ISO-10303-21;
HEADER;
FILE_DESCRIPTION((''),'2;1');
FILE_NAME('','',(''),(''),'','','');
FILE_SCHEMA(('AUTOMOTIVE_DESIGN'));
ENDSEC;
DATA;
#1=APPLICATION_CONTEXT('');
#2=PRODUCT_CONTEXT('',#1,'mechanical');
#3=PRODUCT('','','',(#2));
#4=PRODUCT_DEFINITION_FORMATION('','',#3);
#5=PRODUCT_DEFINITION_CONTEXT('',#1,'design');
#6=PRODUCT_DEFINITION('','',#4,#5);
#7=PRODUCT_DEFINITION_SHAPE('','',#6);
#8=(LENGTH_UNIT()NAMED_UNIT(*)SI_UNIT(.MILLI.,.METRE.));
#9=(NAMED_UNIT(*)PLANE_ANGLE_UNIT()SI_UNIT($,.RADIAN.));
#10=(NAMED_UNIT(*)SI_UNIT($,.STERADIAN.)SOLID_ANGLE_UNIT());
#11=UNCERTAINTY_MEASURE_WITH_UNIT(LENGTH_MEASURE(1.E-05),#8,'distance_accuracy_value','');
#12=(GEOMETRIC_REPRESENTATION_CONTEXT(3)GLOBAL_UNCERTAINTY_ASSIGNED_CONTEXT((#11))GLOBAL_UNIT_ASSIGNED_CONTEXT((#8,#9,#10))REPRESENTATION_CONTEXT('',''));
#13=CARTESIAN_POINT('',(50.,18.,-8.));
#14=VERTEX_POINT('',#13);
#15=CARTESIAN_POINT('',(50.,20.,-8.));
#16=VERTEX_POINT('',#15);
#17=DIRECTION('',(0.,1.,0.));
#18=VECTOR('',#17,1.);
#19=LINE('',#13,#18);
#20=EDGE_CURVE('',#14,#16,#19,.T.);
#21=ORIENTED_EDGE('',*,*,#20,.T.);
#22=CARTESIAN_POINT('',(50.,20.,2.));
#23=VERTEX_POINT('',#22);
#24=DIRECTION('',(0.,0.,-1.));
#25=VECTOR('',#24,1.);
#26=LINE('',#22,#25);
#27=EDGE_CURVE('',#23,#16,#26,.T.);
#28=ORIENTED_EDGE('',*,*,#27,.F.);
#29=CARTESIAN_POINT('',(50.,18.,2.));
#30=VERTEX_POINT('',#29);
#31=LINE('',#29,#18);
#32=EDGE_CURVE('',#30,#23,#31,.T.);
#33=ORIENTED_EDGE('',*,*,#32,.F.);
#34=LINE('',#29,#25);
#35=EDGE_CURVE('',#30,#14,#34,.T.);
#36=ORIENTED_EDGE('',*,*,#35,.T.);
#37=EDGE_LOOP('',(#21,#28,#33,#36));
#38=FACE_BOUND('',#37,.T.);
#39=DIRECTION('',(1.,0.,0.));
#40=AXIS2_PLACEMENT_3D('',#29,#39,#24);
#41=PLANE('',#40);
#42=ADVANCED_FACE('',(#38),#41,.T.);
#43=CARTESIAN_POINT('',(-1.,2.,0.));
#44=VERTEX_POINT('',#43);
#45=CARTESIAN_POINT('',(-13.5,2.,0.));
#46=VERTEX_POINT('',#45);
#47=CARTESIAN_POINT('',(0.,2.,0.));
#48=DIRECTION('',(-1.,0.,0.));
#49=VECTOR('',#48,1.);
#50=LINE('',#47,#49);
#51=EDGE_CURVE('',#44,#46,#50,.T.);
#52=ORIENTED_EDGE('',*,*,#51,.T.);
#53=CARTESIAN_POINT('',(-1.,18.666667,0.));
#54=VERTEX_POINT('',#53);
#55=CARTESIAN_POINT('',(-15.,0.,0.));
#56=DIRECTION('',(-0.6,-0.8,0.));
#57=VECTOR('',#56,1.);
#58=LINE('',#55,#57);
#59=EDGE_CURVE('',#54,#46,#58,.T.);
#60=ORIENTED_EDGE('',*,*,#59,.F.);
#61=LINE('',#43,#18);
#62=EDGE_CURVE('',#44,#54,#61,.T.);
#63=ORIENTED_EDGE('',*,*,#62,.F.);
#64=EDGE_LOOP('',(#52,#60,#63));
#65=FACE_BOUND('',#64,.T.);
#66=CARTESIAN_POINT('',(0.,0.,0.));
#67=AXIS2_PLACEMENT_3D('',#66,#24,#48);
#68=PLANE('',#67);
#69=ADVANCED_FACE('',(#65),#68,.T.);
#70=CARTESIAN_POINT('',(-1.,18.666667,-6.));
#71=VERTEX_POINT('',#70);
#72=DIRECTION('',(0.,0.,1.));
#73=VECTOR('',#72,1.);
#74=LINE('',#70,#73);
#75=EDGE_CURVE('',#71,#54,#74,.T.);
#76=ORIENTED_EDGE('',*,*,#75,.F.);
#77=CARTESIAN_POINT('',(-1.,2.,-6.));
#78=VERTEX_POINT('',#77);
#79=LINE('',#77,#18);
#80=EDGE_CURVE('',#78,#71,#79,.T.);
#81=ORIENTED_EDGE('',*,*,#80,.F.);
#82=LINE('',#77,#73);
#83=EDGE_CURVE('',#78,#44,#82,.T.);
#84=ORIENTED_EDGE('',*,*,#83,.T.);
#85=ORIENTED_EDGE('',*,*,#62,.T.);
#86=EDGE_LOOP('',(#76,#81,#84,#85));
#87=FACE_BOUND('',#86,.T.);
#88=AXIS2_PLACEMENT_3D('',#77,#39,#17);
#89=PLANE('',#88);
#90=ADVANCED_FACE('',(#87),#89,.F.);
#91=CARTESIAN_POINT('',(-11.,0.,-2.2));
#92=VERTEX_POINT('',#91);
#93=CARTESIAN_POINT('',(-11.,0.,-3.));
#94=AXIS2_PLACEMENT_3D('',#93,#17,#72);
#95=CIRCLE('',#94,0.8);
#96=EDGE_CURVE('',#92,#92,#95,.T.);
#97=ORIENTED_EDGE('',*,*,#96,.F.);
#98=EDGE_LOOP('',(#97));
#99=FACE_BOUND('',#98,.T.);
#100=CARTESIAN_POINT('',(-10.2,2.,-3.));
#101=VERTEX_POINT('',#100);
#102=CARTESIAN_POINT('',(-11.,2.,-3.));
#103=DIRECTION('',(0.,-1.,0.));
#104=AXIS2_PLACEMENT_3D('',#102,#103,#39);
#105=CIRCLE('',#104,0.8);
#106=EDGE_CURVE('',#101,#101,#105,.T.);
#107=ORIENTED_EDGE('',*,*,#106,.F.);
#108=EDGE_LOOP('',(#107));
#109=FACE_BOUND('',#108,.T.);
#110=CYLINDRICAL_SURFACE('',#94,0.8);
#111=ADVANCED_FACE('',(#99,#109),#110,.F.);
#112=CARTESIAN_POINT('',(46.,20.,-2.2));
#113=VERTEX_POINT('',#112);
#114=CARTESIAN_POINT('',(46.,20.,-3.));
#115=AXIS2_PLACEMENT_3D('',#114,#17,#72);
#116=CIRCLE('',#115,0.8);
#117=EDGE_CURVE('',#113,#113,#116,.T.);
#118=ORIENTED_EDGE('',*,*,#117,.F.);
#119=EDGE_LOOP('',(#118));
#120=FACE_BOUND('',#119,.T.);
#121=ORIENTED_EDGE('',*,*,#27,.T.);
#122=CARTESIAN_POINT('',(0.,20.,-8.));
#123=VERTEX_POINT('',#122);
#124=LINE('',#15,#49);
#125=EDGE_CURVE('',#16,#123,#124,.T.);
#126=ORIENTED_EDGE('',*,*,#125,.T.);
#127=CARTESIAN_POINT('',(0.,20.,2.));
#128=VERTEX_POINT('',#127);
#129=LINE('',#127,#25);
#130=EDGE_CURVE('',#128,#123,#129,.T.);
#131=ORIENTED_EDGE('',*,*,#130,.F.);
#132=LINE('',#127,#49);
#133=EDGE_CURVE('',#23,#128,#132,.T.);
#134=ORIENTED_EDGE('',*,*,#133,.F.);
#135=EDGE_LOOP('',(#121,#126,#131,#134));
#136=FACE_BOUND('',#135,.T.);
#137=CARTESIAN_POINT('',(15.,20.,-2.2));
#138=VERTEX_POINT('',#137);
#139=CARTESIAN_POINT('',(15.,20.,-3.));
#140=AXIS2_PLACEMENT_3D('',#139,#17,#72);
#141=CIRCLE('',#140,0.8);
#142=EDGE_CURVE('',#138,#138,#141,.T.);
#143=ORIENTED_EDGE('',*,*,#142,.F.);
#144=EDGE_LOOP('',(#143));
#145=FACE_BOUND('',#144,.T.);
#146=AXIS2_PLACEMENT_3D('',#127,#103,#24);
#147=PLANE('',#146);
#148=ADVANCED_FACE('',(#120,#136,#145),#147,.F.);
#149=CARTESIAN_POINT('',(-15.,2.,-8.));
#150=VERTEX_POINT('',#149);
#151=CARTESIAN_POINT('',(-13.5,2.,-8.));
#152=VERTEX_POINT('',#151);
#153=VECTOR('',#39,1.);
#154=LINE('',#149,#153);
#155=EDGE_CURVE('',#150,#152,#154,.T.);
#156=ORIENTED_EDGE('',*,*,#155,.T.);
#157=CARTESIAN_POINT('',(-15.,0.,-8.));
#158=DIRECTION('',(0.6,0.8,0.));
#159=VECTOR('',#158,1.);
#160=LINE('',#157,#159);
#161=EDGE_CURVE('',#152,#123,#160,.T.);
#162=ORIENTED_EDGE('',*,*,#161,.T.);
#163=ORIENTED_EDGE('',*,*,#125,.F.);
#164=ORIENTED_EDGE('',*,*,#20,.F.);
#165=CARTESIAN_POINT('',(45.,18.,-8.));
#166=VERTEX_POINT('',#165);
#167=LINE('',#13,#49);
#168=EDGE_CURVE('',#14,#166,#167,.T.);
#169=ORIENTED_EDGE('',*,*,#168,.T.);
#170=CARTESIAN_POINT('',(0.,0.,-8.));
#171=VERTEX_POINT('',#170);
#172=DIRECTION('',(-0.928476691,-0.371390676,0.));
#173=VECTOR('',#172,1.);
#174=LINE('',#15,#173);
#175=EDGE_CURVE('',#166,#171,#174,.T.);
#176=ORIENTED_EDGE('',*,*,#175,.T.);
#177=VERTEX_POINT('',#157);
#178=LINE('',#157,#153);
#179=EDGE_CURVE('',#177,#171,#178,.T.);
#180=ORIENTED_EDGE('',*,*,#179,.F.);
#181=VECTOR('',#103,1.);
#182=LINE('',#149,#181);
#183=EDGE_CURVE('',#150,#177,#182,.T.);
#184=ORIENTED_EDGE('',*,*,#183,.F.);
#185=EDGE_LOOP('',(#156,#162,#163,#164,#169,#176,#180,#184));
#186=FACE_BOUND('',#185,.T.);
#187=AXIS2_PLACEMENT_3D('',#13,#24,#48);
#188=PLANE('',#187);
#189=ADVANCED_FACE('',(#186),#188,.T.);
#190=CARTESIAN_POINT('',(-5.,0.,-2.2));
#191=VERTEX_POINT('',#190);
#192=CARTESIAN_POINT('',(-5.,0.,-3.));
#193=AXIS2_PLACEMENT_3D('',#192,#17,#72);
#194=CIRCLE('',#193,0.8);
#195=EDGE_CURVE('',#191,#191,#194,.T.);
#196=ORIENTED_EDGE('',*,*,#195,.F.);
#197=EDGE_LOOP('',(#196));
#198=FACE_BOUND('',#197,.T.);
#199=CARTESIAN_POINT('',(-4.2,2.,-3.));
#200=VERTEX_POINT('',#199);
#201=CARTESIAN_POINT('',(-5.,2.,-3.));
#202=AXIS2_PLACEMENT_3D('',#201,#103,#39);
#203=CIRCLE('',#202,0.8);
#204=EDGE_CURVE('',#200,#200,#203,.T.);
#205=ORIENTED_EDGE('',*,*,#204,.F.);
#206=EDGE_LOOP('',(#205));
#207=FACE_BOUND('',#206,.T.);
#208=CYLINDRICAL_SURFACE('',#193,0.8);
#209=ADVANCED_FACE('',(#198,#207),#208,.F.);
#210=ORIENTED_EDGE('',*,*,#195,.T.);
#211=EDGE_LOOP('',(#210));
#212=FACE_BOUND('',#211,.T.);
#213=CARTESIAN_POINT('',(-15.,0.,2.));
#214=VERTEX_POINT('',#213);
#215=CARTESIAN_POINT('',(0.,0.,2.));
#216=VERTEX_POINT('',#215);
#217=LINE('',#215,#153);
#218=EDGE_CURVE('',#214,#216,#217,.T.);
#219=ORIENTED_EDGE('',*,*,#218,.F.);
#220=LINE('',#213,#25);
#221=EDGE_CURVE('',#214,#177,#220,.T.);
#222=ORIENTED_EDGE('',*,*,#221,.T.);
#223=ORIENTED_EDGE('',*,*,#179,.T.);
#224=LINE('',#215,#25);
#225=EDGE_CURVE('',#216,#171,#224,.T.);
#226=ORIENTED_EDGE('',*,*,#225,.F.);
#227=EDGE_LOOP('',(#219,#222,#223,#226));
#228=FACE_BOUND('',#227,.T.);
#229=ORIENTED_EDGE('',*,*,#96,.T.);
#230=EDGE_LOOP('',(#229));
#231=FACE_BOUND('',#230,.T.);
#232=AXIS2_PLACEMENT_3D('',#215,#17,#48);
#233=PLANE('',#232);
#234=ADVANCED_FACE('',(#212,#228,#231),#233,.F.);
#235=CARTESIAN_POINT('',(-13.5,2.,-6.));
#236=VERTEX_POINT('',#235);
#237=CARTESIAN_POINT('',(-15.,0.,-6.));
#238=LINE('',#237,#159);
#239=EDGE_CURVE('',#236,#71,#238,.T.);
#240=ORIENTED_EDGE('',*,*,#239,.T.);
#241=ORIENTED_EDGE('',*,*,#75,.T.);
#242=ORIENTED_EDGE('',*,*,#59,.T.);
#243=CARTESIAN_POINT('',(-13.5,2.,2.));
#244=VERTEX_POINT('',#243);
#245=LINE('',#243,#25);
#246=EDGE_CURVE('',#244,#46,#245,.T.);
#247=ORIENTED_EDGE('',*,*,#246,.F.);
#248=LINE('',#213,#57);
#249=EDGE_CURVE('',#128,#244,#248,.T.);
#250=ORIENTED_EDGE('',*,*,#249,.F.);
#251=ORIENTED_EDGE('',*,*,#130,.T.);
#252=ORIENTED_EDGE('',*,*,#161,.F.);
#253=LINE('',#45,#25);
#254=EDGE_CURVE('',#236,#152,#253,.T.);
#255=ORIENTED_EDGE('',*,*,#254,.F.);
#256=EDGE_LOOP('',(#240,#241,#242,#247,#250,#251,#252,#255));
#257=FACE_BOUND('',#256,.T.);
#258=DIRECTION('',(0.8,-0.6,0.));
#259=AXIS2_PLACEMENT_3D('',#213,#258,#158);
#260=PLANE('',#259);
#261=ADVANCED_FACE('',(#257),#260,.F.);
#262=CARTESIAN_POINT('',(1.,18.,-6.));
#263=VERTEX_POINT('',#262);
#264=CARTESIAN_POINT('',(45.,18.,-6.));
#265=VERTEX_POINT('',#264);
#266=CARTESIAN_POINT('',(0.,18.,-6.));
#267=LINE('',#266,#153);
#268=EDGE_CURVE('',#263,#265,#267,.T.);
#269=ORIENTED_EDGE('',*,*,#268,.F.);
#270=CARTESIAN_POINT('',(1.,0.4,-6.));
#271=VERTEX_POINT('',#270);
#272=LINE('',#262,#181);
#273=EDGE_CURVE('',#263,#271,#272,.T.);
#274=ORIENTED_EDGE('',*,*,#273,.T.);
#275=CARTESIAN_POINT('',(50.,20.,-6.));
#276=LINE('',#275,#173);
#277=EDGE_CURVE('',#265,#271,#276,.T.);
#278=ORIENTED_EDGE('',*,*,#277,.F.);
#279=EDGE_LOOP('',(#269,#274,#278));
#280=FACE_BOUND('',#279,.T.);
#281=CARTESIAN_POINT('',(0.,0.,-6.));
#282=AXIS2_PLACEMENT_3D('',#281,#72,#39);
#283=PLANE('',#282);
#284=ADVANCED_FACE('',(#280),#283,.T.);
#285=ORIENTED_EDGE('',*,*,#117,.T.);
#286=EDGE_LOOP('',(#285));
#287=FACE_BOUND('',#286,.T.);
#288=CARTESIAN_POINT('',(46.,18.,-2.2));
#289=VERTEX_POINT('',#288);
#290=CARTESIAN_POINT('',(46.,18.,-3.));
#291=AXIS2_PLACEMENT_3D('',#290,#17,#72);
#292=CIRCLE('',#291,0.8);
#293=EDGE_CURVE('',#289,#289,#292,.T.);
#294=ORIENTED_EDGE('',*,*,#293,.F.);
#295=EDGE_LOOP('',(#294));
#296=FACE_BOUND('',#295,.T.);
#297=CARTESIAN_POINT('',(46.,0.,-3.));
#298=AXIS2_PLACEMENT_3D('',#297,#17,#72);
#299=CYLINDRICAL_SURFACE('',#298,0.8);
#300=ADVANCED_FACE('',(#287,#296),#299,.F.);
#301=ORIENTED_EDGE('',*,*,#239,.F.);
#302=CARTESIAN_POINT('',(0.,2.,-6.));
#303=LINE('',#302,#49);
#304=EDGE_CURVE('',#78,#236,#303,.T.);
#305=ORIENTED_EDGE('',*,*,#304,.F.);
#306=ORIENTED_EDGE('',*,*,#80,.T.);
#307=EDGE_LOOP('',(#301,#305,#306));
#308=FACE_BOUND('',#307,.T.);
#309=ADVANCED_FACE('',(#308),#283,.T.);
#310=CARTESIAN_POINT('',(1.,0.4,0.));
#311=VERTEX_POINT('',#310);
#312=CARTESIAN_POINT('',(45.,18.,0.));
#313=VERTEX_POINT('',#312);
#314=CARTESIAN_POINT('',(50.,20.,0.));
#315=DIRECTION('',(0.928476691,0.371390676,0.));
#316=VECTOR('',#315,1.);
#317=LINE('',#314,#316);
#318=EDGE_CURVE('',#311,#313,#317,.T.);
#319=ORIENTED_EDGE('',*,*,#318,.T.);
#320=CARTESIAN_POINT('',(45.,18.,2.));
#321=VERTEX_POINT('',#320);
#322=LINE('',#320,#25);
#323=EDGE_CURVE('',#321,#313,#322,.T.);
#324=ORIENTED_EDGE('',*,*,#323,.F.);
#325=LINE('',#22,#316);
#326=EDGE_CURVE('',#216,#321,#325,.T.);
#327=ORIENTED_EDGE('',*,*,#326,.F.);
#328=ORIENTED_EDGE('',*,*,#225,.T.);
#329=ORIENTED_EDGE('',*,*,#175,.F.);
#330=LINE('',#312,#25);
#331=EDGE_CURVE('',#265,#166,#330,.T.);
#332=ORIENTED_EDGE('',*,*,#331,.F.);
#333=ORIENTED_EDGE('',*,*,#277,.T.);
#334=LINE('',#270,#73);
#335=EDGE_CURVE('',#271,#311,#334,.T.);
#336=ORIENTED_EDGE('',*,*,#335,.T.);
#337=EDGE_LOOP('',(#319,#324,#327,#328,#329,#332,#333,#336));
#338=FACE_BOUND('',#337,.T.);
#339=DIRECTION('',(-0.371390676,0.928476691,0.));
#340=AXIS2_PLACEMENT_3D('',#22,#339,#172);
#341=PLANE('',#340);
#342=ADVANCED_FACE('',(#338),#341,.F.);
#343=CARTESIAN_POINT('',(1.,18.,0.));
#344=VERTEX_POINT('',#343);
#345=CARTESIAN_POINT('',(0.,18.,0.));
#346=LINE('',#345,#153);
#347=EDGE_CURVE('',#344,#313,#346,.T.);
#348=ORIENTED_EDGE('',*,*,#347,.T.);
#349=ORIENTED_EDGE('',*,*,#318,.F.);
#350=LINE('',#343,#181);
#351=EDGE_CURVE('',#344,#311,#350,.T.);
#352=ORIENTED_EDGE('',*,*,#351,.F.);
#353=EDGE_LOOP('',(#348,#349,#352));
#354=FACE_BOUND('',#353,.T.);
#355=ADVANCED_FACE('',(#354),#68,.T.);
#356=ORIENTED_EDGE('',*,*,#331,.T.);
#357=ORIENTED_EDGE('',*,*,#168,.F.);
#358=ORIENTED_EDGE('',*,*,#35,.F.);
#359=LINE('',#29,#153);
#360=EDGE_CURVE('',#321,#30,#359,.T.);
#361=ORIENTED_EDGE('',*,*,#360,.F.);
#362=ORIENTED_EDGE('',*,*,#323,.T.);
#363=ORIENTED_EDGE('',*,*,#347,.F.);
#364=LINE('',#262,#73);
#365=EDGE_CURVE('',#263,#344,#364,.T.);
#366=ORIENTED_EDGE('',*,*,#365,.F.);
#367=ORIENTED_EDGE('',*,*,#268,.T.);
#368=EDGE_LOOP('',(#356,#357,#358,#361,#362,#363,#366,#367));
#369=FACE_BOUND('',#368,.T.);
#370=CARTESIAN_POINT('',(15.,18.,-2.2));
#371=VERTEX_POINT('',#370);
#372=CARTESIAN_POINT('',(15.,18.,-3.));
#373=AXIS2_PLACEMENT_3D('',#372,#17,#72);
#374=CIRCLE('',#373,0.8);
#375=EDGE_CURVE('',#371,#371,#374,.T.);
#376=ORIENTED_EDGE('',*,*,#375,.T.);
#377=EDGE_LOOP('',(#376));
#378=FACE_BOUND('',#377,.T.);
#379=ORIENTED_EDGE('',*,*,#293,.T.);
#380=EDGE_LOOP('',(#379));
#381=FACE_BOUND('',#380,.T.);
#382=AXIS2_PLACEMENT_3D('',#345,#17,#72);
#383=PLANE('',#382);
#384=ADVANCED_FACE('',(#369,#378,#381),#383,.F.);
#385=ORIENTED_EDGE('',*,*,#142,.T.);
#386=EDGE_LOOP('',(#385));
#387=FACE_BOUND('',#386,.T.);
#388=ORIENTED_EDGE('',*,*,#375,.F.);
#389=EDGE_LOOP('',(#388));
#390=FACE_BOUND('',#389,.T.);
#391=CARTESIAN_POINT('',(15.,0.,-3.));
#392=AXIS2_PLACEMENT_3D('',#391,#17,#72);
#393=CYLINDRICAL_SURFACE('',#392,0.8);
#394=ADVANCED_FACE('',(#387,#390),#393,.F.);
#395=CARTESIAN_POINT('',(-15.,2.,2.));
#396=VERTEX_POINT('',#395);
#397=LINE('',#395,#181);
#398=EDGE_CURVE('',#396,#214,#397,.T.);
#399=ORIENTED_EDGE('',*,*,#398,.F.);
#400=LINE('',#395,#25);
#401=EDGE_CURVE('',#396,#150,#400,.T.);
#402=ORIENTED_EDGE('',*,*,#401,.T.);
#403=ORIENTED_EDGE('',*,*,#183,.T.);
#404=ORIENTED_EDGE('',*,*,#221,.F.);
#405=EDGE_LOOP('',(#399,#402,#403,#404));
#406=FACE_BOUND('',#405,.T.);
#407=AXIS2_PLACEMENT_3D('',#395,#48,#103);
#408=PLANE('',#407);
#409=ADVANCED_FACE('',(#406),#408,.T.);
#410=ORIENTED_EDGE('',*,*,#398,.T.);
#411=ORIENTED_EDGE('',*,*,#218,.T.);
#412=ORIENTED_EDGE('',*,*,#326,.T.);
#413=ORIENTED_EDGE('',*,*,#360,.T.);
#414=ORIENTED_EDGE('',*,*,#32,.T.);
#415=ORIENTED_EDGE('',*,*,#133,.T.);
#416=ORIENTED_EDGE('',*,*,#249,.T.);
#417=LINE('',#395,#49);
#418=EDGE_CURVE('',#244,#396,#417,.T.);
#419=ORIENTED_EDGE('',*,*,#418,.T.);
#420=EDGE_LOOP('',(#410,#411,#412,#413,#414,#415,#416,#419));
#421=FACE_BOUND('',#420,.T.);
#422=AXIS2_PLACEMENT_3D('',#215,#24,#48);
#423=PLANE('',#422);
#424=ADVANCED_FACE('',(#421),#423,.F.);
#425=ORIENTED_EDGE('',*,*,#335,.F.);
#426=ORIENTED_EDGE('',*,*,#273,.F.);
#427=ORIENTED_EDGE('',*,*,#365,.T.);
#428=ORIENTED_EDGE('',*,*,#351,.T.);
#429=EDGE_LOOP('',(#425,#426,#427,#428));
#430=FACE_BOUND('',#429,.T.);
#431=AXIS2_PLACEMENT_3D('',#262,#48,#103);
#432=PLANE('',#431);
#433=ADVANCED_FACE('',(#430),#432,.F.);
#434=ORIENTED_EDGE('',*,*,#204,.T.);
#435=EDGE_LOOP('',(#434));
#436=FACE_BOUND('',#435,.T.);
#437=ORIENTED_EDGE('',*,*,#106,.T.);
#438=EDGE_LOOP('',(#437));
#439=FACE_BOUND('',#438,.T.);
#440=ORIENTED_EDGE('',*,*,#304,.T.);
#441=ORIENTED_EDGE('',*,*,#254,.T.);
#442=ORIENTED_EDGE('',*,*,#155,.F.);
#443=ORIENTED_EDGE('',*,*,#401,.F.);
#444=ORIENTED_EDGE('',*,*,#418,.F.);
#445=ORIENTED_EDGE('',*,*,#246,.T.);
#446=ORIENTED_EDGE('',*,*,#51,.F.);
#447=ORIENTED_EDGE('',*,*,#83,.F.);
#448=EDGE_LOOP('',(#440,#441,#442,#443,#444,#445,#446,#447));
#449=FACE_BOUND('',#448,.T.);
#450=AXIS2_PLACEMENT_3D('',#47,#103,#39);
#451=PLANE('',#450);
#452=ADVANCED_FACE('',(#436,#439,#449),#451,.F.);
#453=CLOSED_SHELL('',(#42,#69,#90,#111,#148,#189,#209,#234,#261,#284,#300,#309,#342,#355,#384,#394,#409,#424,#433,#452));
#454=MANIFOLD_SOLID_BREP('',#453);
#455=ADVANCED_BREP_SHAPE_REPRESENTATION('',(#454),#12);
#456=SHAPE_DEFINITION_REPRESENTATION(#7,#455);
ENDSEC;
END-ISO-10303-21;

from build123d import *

# Parameters (mm, degrees)
BOSS_EXTRUDE1_DEPTH = 2
SKETCH2_W           = 50
SKETCH2_H           = 10
BOSS_EXTRUDE2_DEPTH = 2
SKETCH3_W           = 15
SKETCH3_H           = 10
BOSS_EXTRUDE3_DEPTH = 2
BOSS_EXTRUDE4_DEPTH = 2
BOSS_EXTRUDE5_DEPTH = 6
SKETCH7_R           = 0.8
CUT_EXTRUDE1_DEPTH  = 20


with BuildPart() as part:
    # Sketch1 → Boss-Extrude1 (new body)
    with BuildSketch(Plane.XY):
        Polygon((0, 0), (-15, 0), (0, 20), (50, 20), align=None)
    extrude(amount=BOSS_EXTRUDE1_DEPTH)

    # Sketch2 → Boss-Extrude2 (add)
    with BuildSketch(Plane(origin=(0, 20, 0), x_dir=(1, 0, 0), z_dir=(0, 1, 0))):
        with Locations((25, 3)):
            Rectangle(SKETCH2_W, SKETCH2_H)
    extrude(amount=-BOSS_EXTRUDE2_DEPTH)

    # Sketch3 → Boss-Extrude3 (add)
    with BuildSketch(Plane.XZ):
        with Locations((-7.5, -3)):
            Rectangle(SKETCH3_W, SKETCH3_H)
    extrude(amount=-BOSS_EXTRUDE3_DEPTH)

    # Sketch4 → Boss-Extrude4 (add)
    with BuildSketch(Plane(origin=(0, 0, -8), x_dir=(-1, 0, 0), z_dir=(0, 0, -1))):
        Polygon((-50, 20), (0, 0), (15, 0), (0, 20), align=None)
    extrude(amount=-BOSS_EXTRUDE4_DEPTH)

    # Sketch6 → Boss-Extrude5 (add)
    with BuildSketch(Plane(origin=(0, 0, 0), x_dir=(-1, 0, 0), z_dir=(0, 0, -1))):
        Polygon((0, 20), (0, 18), (-1, 18), (-1, 0.4), (0, 0), (0, 2), (1, 2), (1, 18.666666667), align=None)
    extrude(amount=BOSS_EXTRUDE5_DEPTH)

    # Sketch7 → Cut-Extrude1 (cut)
    with BuildSketch(Plane(origin=(0, 20, 0), x_dir=(1, 0, 0), z_dir=(0, 1, 0))):
        with Locations((46, 3)):
            Circle(SKETCH7_R)
        with Locations((15, 3)):
            Circle(SKETCH7_R)
        with Locations((-11, 3)):
            Circle(SKETCH7_R)
        with Locations((-5, 3)):
            Circle(SKETCH7_R)
    extrude(amount=-CUT_EXTRUDE1_DEPTH, mode=Mode.SUBTRACT)


solid = part.part
